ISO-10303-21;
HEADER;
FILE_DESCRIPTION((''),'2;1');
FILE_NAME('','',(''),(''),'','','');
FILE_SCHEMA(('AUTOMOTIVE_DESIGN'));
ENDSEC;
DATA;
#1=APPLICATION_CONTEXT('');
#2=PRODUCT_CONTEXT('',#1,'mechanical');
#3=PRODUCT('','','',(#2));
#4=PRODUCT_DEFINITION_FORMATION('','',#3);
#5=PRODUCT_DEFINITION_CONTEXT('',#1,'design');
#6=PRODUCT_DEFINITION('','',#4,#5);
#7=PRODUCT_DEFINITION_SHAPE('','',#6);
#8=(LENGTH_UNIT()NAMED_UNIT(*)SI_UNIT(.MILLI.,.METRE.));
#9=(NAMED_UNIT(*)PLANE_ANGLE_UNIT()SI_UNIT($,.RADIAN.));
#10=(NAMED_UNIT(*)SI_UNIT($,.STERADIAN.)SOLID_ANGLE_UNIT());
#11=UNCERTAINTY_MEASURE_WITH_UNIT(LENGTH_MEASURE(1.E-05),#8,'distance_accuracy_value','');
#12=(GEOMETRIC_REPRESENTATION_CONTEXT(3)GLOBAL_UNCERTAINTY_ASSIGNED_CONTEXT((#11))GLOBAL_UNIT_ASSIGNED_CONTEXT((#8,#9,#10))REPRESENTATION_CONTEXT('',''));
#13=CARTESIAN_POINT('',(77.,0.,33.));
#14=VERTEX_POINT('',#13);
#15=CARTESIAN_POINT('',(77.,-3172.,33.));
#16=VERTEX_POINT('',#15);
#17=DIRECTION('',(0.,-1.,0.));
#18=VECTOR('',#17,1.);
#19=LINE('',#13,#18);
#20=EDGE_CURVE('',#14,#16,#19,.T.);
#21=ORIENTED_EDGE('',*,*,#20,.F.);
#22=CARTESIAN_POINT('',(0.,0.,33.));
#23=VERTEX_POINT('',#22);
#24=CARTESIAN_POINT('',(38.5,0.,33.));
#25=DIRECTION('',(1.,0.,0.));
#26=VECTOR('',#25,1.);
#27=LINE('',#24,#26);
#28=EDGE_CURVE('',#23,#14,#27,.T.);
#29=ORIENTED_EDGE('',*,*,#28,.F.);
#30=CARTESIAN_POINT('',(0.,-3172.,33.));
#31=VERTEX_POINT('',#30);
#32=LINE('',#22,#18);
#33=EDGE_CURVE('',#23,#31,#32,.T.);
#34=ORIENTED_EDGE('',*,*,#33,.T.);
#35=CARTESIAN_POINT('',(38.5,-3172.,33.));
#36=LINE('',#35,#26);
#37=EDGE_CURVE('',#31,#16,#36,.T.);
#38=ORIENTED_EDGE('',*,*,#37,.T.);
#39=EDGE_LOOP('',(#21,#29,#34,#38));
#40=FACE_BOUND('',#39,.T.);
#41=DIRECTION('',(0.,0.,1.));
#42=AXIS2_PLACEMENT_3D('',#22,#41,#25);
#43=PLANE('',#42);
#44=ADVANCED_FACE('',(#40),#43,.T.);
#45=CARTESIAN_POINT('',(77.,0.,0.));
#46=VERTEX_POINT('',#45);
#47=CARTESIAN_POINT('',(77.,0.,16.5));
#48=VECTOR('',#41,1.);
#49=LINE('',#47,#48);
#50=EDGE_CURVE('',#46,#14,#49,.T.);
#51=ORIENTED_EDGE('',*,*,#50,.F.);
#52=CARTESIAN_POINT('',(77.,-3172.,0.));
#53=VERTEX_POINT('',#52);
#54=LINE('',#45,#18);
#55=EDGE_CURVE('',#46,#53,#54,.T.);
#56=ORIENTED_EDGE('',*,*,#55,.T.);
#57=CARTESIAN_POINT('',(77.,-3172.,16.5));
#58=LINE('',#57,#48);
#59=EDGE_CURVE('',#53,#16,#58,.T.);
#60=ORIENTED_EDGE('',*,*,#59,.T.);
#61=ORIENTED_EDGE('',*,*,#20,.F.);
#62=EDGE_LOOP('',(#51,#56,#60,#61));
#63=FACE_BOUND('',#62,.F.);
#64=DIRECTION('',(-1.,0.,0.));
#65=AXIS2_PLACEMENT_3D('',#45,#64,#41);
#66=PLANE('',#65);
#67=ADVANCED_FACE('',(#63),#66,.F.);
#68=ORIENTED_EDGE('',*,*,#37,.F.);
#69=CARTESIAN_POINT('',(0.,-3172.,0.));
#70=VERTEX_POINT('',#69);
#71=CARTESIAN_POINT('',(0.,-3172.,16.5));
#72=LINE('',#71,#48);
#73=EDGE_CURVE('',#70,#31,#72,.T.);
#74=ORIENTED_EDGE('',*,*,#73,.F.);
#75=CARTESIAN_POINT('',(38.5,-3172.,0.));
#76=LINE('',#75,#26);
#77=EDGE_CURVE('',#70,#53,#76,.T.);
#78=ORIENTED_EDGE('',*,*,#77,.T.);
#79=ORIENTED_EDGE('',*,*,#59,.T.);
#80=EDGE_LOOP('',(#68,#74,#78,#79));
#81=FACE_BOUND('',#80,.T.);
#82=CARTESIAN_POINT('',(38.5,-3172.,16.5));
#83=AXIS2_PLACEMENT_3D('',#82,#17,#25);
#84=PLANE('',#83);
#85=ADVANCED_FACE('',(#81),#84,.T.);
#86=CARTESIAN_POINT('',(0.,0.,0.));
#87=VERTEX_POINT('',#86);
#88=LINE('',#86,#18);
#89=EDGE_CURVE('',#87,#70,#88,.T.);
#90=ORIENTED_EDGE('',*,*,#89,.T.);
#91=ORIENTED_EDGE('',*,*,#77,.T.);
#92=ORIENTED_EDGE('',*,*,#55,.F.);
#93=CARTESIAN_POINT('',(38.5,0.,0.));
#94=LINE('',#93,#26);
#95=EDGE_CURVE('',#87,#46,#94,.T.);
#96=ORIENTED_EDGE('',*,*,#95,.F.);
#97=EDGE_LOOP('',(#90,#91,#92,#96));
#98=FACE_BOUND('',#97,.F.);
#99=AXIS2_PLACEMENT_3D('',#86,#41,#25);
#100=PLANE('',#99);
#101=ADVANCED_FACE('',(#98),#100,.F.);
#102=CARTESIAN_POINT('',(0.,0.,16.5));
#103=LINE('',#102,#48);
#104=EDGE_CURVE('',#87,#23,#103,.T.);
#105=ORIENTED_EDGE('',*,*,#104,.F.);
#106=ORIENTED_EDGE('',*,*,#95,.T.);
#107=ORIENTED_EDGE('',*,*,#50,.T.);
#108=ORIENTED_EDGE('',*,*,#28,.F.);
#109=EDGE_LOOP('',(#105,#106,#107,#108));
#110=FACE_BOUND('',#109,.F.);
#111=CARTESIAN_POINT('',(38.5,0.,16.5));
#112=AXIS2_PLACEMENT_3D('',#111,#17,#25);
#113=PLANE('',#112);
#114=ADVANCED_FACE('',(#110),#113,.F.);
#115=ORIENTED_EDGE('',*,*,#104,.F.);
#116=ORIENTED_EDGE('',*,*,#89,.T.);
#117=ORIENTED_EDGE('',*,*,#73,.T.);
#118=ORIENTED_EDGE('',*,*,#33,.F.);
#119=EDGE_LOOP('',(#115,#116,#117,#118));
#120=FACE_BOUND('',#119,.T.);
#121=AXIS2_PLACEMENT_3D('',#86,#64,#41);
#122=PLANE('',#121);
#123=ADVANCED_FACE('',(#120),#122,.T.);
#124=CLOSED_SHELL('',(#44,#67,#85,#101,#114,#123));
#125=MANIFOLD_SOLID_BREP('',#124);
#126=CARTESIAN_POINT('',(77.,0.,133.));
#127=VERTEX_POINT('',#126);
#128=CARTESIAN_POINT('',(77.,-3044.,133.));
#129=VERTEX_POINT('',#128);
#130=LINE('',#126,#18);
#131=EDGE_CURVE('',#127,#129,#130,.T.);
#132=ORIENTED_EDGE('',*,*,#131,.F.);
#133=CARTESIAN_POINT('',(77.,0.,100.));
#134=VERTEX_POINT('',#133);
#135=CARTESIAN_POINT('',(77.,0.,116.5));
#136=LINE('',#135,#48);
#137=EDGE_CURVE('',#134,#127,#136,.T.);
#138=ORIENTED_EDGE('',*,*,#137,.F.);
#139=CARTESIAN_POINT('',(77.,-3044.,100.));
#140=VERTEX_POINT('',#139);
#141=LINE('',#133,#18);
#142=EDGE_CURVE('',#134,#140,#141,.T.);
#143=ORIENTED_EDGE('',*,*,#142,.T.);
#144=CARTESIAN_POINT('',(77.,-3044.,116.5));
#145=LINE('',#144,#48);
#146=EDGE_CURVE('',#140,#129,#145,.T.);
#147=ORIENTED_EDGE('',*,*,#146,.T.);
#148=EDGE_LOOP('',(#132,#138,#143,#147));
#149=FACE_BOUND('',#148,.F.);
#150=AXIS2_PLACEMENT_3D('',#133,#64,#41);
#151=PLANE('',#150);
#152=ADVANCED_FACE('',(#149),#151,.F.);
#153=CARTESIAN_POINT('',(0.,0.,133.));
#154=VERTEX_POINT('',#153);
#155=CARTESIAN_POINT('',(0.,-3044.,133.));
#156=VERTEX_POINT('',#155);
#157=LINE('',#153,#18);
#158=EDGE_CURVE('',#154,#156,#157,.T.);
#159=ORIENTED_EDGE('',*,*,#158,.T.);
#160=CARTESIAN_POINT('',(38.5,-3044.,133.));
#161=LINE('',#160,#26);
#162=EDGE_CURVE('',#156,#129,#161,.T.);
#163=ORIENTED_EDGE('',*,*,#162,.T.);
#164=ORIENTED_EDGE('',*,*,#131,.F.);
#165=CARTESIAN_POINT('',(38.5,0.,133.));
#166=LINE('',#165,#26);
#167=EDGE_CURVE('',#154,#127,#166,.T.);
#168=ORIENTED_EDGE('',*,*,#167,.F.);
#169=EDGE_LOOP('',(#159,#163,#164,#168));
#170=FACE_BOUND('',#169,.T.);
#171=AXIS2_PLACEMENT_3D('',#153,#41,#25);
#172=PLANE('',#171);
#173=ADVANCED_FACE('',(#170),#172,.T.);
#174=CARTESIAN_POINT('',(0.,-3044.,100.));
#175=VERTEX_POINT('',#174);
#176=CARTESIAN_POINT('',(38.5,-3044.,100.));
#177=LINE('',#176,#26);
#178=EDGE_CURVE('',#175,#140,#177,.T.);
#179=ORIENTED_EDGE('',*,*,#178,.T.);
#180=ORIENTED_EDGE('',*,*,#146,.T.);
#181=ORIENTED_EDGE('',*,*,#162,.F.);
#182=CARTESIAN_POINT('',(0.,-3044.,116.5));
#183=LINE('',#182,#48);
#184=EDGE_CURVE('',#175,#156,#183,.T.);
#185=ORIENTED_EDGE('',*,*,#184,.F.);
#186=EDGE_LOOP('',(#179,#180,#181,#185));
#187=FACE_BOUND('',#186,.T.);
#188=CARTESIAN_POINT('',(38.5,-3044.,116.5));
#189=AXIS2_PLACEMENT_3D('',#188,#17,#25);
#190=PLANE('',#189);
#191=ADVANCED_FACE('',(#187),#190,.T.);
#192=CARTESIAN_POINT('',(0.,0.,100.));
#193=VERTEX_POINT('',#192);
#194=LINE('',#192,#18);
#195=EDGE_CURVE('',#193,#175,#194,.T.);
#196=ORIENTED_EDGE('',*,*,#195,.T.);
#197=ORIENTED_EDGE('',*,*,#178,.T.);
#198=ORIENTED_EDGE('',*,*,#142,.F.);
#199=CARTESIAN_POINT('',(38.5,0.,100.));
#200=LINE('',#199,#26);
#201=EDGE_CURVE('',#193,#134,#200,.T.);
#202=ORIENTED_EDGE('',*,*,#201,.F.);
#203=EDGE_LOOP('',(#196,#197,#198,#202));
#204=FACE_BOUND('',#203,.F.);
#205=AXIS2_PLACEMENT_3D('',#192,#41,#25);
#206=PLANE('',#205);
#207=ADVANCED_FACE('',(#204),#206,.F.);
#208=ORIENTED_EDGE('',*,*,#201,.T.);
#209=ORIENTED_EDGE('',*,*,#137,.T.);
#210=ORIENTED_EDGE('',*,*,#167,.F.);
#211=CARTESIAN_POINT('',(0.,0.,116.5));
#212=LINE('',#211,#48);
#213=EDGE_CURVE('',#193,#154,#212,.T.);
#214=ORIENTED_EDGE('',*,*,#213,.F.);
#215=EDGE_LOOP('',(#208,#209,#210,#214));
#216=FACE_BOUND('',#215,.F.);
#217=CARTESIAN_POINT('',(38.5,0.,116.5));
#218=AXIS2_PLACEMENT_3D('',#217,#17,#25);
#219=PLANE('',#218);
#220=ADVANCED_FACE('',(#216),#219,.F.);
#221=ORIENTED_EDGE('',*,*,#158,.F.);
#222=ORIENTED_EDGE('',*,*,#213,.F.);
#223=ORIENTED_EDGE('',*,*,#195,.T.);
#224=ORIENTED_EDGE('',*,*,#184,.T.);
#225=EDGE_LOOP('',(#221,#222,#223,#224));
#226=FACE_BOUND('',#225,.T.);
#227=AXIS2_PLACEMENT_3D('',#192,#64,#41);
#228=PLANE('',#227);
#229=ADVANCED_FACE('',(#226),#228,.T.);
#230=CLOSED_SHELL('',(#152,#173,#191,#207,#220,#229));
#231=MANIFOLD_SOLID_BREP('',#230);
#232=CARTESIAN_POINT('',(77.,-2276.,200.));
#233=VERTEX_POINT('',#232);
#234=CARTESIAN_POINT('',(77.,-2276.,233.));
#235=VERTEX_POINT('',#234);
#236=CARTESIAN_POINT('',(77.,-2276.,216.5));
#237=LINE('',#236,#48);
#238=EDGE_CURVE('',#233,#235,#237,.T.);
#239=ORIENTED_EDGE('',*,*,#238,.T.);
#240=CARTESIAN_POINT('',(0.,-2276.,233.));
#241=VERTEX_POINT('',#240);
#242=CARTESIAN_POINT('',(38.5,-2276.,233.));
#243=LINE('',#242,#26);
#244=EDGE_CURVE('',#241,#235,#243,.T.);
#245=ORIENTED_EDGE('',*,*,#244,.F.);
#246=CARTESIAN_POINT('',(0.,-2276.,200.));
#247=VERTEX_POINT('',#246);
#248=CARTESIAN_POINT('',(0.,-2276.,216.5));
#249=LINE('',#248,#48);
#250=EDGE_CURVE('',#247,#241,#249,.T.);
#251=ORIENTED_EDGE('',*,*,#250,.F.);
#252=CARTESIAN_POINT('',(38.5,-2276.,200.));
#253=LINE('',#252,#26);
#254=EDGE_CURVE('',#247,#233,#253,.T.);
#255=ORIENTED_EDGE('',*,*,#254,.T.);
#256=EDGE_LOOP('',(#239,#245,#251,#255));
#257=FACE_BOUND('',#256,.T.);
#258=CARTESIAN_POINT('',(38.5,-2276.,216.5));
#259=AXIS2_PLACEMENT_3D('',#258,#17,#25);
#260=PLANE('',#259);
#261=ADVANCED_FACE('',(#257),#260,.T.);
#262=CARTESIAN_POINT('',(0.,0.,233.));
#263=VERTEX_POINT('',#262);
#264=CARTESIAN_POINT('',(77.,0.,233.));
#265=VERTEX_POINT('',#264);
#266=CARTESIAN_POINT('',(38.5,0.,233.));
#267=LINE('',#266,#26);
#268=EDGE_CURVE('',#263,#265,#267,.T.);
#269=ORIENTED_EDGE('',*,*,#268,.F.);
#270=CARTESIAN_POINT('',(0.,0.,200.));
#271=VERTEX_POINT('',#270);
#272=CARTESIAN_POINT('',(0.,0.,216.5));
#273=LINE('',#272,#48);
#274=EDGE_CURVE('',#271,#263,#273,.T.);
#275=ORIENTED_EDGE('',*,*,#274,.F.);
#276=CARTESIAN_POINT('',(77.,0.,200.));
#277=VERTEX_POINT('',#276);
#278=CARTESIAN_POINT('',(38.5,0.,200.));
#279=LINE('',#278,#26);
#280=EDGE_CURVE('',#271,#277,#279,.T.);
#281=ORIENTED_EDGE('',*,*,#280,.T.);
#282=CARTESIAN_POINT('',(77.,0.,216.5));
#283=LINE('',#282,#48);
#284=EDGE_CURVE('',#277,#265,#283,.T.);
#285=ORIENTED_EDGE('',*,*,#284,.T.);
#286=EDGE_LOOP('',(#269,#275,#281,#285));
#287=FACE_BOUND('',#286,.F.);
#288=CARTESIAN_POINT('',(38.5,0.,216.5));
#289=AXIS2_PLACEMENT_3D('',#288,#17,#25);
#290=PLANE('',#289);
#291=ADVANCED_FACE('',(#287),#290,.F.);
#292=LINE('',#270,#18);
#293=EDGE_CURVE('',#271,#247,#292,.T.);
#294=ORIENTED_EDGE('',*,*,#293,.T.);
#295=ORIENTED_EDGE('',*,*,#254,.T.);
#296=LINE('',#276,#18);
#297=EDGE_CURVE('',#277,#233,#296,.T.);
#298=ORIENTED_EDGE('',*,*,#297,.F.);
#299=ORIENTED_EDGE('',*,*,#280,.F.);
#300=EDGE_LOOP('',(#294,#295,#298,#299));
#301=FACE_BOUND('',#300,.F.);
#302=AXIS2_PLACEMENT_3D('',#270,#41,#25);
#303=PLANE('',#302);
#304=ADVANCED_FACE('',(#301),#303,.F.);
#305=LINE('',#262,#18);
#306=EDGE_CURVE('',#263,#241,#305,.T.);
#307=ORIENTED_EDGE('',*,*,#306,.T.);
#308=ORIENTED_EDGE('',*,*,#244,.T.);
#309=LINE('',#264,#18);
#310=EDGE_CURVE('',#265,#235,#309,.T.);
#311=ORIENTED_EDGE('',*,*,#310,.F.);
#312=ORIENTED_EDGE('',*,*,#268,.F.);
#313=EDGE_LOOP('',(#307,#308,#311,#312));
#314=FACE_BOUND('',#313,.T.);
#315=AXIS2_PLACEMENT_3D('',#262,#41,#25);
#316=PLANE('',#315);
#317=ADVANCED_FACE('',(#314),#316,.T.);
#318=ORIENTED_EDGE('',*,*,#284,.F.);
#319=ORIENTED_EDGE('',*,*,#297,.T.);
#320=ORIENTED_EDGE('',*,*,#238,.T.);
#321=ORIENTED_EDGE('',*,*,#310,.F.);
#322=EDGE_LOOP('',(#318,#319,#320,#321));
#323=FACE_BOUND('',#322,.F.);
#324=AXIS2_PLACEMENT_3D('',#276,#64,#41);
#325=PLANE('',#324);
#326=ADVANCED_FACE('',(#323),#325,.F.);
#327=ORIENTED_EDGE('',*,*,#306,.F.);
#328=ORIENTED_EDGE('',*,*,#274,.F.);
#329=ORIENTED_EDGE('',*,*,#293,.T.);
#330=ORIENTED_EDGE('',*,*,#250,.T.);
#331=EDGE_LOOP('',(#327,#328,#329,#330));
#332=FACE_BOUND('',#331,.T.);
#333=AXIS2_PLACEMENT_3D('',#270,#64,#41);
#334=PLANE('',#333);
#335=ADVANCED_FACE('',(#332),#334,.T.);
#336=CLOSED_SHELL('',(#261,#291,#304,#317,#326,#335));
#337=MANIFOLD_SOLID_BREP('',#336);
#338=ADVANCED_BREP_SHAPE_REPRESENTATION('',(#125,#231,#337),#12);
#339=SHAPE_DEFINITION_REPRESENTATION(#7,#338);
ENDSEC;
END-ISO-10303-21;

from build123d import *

# Parameters (mm, degrees)
F0_W     = 77
F0_H     = 33
F1_DEPTH = 3172
F2_DEPTH = 3044
F3_DEPTH = 2276


with BuildPart() as f1:
    # F0 (on Front) → F1 (new body)
    with BuildSketch(Plane.XZ):
        with Locations((38.5, 16.5)):
            Rectangle(F0_W, F0_H)
    extrude(amount=F1_DEPTH)


with BuildPart() as f2:
    # F0 (on Front) → F2 (new body)
    with BuildSketch(Plane.XZ):
        with Locations((38.5, 116.5)):
            Rectangle(F0_W, F0_H)
    extrude(amount=F2_DEPTH)


with BuildPart() as f3:
    # F0 (on Front) → F3 (new body)
    with BuildSketch(Plane.XZ):
        with Locations((38.5, 216.5)):
            Rectangle(F0_W, F0_H)
    extrude(amount=F3_DEPTH)


solid = Compound([f1.part, f2.part, f3.part])
